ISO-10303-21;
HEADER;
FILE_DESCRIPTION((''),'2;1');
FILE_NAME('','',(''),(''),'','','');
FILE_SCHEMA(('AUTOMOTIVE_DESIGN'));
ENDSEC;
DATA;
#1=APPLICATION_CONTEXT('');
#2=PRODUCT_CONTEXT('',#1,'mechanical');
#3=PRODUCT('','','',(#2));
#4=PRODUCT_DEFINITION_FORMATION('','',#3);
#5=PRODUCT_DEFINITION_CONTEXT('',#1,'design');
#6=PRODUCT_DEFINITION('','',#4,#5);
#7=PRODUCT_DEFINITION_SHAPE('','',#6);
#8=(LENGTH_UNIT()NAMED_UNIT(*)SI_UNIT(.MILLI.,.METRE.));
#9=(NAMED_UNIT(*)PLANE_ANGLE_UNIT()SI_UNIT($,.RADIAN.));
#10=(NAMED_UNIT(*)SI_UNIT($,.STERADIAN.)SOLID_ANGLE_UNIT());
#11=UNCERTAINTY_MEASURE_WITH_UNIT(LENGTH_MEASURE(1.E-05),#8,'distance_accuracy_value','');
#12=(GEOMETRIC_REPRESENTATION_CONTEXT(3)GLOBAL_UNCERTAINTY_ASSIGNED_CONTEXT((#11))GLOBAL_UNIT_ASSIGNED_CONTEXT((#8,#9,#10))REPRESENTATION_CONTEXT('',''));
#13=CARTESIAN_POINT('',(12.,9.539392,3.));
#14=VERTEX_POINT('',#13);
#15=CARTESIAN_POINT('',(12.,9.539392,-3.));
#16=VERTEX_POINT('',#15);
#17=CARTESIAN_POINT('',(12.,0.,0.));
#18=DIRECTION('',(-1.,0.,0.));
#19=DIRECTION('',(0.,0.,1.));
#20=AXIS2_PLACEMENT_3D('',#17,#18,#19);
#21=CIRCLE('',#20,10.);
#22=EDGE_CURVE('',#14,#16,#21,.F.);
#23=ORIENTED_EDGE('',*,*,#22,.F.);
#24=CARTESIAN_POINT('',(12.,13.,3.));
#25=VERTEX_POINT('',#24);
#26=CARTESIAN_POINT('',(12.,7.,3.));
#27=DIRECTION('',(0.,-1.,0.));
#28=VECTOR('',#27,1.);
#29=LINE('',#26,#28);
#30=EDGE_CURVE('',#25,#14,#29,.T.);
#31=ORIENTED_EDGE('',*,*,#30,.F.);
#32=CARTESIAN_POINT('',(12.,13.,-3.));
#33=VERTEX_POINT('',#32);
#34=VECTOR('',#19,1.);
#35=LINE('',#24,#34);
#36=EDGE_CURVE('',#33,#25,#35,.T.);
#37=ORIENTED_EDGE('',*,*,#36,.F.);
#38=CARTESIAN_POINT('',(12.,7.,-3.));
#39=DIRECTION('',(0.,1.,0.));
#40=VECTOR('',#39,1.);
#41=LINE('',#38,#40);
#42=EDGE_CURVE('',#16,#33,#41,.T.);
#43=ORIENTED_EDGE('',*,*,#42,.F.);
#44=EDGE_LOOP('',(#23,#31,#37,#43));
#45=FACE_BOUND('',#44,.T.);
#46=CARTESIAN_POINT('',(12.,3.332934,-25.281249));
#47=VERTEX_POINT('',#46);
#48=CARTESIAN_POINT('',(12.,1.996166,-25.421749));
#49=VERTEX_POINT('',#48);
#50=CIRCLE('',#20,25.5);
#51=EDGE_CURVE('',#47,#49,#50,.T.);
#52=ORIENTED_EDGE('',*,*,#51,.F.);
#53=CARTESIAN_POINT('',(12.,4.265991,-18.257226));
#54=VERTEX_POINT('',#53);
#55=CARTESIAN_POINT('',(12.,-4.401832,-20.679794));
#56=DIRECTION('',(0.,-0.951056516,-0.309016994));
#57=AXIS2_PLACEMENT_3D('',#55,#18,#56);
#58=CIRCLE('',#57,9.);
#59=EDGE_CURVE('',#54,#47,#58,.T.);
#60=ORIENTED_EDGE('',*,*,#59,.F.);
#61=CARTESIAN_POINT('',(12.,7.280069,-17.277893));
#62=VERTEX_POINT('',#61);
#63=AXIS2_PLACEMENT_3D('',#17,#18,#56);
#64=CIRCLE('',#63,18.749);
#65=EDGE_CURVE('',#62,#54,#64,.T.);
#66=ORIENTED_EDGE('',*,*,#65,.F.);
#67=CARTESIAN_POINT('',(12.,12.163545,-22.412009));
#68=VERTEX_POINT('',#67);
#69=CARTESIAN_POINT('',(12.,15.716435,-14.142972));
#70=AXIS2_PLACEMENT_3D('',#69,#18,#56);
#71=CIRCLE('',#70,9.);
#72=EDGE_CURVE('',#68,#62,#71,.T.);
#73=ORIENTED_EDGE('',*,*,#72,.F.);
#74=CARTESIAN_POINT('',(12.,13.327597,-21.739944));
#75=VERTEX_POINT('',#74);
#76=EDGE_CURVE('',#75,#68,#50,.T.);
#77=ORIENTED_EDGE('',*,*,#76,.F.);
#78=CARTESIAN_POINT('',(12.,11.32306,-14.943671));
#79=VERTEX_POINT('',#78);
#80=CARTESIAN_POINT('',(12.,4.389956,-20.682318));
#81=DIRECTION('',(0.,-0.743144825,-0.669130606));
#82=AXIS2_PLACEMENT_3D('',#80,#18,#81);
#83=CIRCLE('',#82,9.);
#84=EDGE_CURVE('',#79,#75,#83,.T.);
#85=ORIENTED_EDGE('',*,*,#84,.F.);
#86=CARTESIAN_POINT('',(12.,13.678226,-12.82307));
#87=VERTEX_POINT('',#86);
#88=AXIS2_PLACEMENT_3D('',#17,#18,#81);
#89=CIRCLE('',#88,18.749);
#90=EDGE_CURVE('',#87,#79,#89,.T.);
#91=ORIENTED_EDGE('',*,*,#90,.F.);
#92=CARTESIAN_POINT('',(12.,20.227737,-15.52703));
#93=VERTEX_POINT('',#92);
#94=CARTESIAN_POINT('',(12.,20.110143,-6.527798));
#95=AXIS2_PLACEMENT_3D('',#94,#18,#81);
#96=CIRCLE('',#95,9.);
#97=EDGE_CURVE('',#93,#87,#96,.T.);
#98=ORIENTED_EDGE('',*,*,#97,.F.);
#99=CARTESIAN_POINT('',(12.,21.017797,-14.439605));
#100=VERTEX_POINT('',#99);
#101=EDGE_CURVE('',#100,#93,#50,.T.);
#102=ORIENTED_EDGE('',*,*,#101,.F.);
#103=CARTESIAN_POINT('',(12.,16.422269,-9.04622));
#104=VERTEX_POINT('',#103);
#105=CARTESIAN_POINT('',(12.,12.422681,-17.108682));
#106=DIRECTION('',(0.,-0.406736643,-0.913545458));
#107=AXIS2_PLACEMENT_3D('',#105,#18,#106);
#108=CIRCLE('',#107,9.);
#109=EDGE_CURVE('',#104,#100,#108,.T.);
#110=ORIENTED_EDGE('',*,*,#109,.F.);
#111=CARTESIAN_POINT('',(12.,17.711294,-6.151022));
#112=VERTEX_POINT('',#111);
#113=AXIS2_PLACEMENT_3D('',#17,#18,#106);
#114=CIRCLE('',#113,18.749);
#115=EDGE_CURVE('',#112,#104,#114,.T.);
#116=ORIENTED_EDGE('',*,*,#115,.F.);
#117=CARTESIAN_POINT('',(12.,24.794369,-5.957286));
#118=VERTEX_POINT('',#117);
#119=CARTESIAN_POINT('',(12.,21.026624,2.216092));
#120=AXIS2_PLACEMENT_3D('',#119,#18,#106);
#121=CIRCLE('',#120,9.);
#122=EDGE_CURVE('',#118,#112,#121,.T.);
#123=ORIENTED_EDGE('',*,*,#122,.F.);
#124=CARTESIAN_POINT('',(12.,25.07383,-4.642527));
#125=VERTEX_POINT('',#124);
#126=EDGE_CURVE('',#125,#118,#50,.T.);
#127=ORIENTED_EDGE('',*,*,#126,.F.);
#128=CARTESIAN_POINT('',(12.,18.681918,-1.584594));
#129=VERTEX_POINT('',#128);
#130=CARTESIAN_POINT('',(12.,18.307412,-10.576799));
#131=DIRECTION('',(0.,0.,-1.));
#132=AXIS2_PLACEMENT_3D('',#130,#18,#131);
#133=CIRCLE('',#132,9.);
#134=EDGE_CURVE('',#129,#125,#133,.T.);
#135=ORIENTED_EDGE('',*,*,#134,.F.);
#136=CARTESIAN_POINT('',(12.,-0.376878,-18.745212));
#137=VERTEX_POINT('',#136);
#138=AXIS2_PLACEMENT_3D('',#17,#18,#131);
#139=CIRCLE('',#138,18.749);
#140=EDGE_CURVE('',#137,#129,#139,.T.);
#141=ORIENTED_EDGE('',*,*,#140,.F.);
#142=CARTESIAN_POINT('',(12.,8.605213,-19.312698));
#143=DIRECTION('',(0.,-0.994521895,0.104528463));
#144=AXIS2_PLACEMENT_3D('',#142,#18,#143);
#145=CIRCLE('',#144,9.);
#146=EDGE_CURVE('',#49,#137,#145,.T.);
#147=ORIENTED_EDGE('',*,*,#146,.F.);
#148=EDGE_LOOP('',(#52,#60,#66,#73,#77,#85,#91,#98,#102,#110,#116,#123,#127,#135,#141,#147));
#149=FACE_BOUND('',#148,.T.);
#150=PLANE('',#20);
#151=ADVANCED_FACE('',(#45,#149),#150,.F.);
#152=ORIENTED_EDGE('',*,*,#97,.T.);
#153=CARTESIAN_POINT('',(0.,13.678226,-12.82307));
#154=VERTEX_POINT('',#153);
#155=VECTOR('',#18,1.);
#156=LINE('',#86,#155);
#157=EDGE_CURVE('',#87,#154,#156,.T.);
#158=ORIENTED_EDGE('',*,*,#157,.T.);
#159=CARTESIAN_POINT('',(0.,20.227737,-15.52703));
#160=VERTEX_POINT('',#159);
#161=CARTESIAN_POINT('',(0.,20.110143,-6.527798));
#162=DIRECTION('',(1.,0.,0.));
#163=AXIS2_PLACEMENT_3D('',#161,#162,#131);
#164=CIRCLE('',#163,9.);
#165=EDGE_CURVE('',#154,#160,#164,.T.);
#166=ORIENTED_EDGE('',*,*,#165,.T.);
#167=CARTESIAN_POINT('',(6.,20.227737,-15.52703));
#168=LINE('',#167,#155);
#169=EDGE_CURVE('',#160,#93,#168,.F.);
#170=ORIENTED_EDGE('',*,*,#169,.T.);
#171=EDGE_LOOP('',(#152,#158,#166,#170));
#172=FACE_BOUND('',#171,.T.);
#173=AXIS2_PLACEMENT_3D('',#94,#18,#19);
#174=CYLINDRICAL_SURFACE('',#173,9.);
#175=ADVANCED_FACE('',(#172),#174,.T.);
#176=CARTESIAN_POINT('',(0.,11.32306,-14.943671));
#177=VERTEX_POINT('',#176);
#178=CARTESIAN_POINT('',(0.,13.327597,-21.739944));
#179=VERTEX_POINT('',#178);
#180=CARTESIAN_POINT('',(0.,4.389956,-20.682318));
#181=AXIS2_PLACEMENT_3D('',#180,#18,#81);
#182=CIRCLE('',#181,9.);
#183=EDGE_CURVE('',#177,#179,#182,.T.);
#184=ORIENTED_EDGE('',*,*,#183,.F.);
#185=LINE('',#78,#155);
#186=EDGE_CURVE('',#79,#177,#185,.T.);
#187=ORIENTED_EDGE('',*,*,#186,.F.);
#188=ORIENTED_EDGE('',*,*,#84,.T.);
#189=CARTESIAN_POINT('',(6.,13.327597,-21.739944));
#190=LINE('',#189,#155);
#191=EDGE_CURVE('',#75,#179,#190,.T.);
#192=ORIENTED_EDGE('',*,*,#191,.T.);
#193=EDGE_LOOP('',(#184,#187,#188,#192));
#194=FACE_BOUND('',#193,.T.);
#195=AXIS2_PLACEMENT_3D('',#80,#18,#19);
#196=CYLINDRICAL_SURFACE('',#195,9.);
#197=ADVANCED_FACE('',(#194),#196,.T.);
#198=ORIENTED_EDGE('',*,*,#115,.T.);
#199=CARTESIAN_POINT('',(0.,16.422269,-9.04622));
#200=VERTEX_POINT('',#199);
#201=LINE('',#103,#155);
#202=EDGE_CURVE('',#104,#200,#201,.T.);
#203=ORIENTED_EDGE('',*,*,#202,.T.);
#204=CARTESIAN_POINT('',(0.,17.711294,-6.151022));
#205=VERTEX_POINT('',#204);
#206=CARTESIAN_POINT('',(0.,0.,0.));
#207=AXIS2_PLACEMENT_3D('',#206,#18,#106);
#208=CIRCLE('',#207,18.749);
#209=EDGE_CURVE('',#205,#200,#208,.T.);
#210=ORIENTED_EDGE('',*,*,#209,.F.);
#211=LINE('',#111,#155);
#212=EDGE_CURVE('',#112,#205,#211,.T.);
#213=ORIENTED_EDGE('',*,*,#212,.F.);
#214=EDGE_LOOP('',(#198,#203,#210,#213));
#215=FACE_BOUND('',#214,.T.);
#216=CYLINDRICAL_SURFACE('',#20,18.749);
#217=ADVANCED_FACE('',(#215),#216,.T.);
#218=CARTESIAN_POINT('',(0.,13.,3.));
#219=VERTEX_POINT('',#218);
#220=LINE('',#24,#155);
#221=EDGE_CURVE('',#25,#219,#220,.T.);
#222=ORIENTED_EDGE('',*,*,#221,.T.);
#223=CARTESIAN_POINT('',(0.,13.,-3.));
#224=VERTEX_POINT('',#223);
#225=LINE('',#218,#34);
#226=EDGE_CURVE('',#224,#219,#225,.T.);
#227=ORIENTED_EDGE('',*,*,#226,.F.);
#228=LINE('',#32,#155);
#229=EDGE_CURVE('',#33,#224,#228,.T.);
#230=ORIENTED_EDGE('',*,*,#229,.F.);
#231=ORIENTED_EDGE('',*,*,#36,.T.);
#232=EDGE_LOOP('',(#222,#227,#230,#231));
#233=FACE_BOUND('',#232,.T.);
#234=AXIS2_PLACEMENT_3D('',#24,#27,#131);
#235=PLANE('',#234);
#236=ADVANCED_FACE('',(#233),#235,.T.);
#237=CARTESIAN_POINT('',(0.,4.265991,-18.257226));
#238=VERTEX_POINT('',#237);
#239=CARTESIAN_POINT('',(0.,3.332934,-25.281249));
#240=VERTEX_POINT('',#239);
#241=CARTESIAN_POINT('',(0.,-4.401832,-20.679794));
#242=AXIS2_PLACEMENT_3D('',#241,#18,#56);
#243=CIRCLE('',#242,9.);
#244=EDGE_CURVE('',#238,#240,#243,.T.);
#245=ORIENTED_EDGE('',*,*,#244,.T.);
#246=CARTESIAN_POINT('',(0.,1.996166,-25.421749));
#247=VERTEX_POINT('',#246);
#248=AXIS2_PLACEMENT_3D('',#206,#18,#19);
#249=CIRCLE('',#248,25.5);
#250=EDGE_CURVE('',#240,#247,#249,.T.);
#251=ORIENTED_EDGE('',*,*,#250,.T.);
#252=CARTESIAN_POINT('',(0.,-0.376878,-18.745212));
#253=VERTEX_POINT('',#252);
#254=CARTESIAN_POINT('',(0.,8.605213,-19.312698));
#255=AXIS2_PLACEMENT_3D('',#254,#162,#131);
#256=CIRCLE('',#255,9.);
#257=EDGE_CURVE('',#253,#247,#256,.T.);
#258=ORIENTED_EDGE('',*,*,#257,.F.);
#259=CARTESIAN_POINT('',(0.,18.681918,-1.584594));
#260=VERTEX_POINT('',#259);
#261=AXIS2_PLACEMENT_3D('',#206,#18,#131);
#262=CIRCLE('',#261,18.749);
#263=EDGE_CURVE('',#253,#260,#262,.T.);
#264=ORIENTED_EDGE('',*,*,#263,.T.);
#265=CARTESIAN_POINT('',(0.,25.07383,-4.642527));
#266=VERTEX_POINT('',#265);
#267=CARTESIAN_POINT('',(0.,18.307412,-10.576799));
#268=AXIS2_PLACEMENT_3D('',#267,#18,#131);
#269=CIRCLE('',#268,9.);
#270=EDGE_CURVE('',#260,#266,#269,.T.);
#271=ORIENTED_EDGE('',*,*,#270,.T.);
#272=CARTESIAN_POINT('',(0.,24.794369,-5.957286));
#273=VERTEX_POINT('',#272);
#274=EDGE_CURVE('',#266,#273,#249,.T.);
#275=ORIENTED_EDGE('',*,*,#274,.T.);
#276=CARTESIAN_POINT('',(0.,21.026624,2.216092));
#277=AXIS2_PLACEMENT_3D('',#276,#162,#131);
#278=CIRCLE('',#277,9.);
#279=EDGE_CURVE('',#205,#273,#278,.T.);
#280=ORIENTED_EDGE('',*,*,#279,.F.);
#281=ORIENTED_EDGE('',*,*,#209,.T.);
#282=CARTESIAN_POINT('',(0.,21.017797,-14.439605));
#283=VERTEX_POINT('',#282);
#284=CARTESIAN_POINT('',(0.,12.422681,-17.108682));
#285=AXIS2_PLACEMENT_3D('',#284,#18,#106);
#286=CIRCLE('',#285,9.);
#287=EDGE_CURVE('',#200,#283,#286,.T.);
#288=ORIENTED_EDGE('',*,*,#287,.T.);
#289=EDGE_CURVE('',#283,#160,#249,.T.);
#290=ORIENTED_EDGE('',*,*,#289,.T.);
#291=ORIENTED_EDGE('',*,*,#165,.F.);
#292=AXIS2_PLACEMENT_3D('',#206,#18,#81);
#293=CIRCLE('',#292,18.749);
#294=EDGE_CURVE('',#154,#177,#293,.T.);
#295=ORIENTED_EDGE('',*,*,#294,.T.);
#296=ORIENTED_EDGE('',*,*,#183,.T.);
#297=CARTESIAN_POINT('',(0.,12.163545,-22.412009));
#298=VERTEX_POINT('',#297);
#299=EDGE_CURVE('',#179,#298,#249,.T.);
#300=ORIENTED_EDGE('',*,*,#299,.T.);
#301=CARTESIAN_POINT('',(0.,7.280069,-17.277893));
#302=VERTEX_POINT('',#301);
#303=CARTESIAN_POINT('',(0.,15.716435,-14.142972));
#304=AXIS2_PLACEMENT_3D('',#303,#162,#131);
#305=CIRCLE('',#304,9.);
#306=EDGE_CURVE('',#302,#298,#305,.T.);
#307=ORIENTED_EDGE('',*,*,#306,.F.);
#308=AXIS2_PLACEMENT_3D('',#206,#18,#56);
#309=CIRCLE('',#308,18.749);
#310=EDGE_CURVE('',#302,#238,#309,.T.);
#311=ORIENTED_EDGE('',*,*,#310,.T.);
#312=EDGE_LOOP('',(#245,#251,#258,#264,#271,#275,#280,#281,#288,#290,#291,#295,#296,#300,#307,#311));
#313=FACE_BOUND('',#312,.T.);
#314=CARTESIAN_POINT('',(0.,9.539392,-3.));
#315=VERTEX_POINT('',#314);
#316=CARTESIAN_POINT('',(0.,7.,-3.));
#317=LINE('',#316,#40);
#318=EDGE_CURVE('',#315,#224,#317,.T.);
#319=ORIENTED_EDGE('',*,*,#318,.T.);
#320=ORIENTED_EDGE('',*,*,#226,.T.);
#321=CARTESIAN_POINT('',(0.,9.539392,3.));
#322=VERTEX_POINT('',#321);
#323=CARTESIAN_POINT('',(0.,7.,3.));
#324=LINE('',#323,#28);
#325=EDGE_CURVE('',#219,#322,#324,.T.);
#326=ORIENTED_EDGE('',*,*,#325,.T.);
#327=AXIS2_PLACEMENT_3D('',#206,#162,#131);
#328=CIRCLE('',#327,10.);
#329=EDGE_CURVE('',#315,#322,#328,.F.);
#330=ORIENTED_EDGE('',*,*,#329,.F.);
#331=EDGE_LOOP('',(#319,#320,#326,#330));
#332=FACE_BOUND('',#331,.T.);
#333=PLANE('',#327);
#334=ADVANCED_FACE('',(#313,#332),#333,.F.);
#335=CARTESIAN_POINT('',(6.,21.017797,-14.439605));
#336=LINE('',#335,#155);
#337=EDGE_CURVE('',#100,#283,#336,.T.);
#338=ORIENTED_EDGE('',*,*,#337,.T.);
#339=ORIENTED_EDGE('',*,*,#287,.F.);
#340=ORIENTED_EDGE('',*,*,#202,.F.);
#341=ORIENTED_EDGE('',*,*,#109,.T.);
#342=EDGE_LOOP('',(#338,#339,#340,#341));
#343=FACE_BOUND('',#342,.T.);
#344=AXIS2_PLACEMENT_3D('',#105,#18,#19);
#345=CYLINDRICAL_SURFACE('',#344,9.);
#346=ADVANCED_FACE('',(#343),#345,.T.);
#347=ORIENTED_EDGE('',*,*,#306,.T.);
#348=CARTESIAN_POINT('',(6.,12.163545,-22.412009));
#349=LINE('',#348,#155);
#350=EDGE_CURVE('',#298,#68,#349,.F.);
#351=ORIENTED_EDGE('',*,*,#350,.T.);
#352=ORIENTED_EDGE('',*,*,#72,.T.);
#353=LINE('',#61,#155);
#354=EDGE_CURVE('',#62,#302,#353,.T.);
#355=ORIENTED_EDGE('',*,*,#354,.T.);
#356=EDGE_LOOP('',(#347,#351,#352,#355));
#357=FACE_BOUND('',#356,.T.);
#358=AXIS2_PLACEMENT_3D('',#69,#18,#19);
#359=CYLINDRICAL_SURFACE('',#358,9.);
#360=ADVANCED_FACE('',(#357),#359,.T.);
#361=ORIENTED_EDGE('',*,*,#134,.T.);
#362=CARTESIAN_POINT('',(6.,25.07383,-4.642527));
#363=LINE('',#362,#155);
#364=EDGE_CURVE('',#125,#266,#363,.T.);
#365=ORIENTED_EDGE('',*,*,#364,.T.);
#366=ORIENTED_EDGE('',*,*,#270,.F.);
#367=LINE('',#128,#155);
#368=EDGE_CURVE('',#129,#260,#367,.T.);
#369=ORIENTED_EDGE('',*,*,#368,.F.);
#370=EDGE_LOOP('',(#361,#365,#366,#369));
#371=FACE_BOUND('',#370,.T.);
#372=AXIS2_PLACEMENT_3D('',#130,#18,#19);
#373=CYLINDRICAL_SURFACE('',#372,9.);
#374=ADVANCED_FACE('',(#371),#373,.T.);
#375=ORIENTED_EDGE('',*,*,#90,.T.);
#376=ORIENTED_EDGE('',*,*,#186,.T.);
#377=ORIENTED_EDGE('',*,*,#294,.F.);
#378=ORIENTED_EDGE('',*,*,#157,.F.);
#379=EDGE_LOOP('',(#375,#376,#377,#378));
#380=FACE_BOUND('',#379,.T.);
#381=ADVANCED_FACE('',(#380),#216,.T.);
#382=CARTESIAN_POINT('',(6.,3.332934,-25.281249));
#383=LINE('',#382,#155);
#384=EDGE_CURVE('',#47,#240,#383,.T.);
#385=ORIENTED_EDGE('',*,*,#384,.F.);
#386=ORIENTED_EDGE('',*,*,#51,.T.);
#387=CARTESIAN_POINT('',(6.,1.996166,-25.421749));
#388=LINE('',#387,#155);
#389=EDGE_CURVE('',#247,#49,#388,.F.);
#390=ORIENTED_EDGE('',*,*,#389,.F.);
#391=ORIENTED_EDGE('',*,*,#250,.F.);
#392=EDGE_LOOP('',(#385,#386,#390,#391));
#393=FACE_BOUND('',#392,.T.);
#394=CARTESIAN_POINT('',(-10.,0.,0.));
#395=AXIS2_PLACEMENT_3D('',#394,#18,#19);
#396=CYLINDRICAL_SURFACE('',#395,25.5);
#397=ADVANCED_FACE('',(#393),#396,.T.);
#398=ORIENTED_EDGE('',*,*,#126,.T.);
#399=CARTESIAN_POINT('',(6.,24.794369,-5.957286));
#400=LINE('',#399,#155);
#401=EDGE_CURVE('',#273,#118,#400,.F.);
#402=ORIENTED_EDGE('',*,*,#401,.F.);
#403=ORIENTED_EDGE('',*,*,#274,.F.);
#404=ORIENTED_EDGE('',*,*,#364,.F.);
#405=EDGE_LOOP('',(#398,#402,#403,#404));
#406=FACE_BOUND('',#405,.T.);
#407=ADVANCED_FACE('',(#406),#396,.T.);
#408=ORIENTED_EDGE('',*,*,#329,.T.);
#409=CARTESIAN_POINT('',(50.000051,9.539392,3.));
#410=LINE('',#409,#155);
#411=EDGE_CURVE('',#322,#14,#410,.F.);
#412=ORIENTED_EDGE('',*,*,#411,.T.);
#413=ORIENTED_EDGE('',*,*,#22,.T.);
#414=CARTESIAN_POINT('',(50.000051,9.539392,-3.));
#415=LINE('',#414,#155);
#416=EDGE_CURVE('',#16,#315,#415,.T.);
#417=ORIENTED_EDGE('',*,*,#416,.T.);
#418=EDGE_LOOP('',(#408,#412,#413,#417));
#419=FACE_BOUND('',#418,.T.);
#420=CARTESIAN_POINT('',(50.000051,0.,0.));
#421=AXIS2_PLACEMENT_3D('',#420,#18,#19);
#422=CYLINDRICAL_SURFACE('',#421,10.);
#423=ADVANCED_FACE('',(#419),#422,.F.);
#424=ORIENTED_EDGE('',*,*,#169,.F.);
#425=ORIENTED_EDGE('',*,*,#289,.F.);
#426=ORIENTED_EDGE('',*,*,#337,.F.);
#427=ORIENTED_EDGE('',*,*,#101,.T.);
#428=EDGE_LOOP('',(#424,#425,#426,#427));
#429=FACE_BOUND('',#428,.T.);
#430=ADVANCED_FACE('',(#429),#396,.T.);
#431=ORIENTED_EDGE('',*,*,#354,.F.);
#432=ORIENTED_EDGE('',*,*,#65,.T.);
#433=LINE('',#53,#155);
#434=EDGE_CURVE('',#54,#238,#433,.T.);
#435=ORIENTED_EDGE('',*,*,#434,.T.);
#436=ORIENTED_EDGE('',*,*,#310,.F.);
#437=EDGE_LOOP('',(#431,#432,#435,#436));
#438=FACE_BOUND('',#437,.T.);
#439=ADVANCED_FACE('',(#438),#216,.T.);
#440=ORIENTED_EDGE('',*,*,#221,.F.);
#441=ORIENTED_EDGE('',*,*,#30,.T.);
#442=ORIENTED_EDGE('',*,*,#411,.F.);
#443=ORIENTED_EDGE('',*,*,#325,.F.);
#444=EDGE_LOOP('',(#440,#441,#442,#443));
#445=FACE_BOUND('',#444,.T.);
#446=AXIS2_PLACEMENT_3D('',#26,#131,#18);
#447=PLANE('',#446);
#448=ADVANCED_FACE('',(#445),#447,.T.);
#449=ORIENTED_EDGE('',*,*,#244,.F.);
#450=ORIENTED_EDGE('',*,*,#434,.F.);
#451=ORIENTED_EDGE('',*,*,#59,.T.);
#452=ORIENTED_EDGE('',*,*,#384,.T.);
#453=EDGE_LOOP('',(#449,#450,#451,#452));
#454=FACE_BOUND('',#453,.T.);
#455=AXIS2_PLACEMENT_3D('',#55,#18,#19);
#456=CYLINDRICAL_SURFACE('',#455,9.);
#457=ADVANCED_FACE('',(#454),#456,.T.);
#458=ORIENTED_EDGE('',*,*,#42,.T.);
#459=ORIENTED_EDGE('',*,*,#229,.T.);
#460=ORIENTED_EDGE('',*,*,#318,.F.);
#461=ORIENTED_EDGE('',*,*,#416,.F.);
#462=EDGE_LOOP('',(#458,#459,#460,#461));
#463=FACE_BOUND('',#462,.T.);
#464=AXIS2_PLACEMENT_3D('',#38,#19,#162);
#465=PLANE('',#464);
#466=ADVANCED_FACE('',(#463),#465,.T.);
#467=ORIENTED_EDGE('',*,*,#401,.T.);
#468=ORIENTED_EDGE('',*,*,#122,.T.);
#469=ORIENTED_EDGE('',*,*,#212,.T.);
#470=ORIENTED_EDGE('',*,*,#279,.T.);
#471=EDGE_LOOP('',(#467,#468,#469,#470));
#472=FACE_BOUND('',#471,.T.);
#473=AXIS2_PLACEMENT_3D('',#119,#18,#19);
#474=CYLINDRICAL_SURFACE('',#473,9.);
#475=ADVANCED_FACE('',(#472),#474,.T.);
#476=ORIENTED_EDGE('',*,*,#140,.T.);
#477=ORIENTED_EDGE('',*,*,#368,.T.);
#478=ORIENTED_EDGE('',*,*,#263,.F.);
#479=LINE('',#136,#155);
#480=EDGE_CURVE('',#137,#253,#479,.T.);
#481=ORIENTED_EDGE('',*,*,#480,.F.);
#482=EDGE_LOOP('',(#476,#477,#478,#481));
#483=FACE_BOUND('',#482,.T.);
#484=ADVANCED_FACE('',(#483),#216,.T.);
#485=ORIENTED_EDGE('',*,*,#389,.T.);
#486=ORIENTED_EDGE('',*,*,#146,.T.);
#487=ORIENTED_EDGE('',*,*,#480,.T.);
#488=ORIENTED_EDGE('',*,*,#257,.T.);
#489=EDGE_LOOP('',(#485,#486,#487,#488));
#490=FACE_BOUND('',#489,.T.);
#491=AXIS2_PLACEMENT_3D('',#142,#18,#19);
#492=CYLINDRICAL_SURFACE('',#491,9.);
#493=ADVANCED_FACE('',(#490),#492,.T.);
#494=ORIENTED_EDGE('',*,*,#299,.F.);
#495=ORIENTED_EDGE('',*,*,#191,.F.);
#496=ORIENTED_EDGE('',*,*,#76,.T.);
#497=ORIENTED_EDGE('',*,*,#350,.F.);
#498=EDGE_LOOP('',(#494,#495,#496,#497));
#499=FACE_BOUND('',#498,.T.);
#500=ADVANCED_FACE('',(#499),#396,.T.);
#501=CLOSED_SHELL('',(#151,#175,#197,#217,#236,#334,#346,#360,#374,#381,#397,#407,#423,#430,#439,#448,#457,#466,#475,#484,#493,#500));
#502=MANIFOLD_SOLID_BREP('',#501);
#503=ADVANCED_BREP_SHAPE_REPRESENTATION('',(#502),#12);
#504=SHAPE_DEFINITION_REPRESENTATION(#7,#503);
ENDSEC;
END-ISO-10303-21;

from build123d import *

# Parameters (mm, degrees)
BASPROSKE_W             = 12
BASPROSKE_H             = 25.5
TOOTHCUT_DEPTH          = 39.006578378
TEETHCUTS_COUNT         = 15
TEETHCUTS_ANGLE         = 336
BORSKE_R                = 10
BORE_DEPTH              = 50.0000508
CUT_EXTRUDE1_DEPTH      = 38.954121274
CUT_EXTRUDE2_DEPTH      = 38.669115521
CUT_EXTRUDE2_DEPTH_BACK = 38.669115521
SKETCH3_W               = 6
SKETCH3_H               = 6


with BuildPart() as part:
    # BasProSke → Base-Revolve (revolve)
    with BuildSketch(Plane(origin=(0, 0, 0), x_dir=(1, 0, 0), z_dir=(0, 1, 0)), mode=Mode.PRIVATE) as base_revolve_sk:
        with Locations((6, 12.75)):
            Rectangle(BASPROSKE_W, BASPROSKE_H)
    revolve(base_revolve_sk.sketch.rotate(Axis((-10, 0, 0), (1, 0, 0)), 180), axis=Axis((-10, 0, 0), (1, 0, 0)))

    # TooCutSke → ToothCut (cut, through all)
    with BuildSketch(Plane(origin=(0, 0, 0), x_dir=(0, 0, -1), z_dir=(1, 0, 0))):
        with BuildLine():
            ThreePointArc((1.584594428, 18.681918036), (0, 18.749), (-1.584594428, 18.681918036))
            ThreePointArc((-1.584594428, 18.681918036), (-2.465052499, 22.206073835), (-4.666912141, 25.095138498))
            ThreePointArc((-4.666912141, 25.095138498), (0, 25.5254), (4.666912141, 25.095138498))
            ThreePointArc((4.666912141, 25.095138498), (2.465052499, 22.206073835), (1.584594428, 18.681918036))
        make_face()
    toothcut = extrude(amount=TOOTHCUT_DEPTH, mode=Mode.SUBTRACT)

    # TeethCuts: ToothCut ×15 about axis
    teethcuts_axis = Axis((-10, 0, 0), (1, 0, 0))
    for i in range(1, TEETHCUTS_COUNT):
        add(toothcut.rotate(teethcuts_axis, i * TEETHCUTS_ANGLE / (TEETHCUTS_COUNT - 1)), mode=Mode.SUBTRACT)

    # BorSke → Bore (cut, symmetric)
    with BuildSketch(Plane(origin=(0, 0, 0), x_dir=(0, 0, -1), z_dir=(1, 0, 0))):
        with Locations(Location((0, 0, 0), (0, 0, 180))):
            Circle(BORSKE_R)
    extrude(amount=BORE_DEPTH, both=True, mode=Mode.SUBTRACT)

    # Sketch1 → Cut-Extrude1 (cut, through all)
    with BuildSketch(Plane(origin=(0, 0, 0), x_dir=(0, 0, -1), z_dir=(1, 0, 0))):
        with BuildLine():
            ThreePointArc((18.677788491, -1.632549567), (-13.822692806, -12.667208239), (0, 18.749))
            Line((0, 18.749), (0, 29.219389367))
            Line((0, 29.219389367), (-29.845264735, 29.219389367))
            Line((-29.845264735, 29.219389367), (-29.845264735, -32.484488502))
            Line((-29.845264735, -32.484488502), (30.166423099, -32.484488502))
            Line((30.166423099, -32.484488502), (30.166423099, -1.632549567))
            Line((30.166423099, -1.632549567), (18.677788491, -1.632549567))
        make_face()
    extrude(amount=CUT_EXTRUDE1_DEPTH, mode=Mode.SUBTRACT)

    # Sketch3 → Cut-Extrude2 (cut, two sides: drawn at the far end of the back side and taken through both)
    with BuildSketch(Plane(origin=(0, 0, 0), x_dir=(0, 0, -1), z_dir=(1, 0, 0)).offset(-CUT_EXTRUDE2_DEPTH_BACK)):
        with Locations((0, 10)):
            Rectangle(SKETCH3_W, SKETCH3_H)
    extrude(amount=CUT_EXTRUDE2_DEPTH + CUT_EXTRUDE2_DEPTH_BACK, mode=Mode.SUBTRACT)


solid = part.part
